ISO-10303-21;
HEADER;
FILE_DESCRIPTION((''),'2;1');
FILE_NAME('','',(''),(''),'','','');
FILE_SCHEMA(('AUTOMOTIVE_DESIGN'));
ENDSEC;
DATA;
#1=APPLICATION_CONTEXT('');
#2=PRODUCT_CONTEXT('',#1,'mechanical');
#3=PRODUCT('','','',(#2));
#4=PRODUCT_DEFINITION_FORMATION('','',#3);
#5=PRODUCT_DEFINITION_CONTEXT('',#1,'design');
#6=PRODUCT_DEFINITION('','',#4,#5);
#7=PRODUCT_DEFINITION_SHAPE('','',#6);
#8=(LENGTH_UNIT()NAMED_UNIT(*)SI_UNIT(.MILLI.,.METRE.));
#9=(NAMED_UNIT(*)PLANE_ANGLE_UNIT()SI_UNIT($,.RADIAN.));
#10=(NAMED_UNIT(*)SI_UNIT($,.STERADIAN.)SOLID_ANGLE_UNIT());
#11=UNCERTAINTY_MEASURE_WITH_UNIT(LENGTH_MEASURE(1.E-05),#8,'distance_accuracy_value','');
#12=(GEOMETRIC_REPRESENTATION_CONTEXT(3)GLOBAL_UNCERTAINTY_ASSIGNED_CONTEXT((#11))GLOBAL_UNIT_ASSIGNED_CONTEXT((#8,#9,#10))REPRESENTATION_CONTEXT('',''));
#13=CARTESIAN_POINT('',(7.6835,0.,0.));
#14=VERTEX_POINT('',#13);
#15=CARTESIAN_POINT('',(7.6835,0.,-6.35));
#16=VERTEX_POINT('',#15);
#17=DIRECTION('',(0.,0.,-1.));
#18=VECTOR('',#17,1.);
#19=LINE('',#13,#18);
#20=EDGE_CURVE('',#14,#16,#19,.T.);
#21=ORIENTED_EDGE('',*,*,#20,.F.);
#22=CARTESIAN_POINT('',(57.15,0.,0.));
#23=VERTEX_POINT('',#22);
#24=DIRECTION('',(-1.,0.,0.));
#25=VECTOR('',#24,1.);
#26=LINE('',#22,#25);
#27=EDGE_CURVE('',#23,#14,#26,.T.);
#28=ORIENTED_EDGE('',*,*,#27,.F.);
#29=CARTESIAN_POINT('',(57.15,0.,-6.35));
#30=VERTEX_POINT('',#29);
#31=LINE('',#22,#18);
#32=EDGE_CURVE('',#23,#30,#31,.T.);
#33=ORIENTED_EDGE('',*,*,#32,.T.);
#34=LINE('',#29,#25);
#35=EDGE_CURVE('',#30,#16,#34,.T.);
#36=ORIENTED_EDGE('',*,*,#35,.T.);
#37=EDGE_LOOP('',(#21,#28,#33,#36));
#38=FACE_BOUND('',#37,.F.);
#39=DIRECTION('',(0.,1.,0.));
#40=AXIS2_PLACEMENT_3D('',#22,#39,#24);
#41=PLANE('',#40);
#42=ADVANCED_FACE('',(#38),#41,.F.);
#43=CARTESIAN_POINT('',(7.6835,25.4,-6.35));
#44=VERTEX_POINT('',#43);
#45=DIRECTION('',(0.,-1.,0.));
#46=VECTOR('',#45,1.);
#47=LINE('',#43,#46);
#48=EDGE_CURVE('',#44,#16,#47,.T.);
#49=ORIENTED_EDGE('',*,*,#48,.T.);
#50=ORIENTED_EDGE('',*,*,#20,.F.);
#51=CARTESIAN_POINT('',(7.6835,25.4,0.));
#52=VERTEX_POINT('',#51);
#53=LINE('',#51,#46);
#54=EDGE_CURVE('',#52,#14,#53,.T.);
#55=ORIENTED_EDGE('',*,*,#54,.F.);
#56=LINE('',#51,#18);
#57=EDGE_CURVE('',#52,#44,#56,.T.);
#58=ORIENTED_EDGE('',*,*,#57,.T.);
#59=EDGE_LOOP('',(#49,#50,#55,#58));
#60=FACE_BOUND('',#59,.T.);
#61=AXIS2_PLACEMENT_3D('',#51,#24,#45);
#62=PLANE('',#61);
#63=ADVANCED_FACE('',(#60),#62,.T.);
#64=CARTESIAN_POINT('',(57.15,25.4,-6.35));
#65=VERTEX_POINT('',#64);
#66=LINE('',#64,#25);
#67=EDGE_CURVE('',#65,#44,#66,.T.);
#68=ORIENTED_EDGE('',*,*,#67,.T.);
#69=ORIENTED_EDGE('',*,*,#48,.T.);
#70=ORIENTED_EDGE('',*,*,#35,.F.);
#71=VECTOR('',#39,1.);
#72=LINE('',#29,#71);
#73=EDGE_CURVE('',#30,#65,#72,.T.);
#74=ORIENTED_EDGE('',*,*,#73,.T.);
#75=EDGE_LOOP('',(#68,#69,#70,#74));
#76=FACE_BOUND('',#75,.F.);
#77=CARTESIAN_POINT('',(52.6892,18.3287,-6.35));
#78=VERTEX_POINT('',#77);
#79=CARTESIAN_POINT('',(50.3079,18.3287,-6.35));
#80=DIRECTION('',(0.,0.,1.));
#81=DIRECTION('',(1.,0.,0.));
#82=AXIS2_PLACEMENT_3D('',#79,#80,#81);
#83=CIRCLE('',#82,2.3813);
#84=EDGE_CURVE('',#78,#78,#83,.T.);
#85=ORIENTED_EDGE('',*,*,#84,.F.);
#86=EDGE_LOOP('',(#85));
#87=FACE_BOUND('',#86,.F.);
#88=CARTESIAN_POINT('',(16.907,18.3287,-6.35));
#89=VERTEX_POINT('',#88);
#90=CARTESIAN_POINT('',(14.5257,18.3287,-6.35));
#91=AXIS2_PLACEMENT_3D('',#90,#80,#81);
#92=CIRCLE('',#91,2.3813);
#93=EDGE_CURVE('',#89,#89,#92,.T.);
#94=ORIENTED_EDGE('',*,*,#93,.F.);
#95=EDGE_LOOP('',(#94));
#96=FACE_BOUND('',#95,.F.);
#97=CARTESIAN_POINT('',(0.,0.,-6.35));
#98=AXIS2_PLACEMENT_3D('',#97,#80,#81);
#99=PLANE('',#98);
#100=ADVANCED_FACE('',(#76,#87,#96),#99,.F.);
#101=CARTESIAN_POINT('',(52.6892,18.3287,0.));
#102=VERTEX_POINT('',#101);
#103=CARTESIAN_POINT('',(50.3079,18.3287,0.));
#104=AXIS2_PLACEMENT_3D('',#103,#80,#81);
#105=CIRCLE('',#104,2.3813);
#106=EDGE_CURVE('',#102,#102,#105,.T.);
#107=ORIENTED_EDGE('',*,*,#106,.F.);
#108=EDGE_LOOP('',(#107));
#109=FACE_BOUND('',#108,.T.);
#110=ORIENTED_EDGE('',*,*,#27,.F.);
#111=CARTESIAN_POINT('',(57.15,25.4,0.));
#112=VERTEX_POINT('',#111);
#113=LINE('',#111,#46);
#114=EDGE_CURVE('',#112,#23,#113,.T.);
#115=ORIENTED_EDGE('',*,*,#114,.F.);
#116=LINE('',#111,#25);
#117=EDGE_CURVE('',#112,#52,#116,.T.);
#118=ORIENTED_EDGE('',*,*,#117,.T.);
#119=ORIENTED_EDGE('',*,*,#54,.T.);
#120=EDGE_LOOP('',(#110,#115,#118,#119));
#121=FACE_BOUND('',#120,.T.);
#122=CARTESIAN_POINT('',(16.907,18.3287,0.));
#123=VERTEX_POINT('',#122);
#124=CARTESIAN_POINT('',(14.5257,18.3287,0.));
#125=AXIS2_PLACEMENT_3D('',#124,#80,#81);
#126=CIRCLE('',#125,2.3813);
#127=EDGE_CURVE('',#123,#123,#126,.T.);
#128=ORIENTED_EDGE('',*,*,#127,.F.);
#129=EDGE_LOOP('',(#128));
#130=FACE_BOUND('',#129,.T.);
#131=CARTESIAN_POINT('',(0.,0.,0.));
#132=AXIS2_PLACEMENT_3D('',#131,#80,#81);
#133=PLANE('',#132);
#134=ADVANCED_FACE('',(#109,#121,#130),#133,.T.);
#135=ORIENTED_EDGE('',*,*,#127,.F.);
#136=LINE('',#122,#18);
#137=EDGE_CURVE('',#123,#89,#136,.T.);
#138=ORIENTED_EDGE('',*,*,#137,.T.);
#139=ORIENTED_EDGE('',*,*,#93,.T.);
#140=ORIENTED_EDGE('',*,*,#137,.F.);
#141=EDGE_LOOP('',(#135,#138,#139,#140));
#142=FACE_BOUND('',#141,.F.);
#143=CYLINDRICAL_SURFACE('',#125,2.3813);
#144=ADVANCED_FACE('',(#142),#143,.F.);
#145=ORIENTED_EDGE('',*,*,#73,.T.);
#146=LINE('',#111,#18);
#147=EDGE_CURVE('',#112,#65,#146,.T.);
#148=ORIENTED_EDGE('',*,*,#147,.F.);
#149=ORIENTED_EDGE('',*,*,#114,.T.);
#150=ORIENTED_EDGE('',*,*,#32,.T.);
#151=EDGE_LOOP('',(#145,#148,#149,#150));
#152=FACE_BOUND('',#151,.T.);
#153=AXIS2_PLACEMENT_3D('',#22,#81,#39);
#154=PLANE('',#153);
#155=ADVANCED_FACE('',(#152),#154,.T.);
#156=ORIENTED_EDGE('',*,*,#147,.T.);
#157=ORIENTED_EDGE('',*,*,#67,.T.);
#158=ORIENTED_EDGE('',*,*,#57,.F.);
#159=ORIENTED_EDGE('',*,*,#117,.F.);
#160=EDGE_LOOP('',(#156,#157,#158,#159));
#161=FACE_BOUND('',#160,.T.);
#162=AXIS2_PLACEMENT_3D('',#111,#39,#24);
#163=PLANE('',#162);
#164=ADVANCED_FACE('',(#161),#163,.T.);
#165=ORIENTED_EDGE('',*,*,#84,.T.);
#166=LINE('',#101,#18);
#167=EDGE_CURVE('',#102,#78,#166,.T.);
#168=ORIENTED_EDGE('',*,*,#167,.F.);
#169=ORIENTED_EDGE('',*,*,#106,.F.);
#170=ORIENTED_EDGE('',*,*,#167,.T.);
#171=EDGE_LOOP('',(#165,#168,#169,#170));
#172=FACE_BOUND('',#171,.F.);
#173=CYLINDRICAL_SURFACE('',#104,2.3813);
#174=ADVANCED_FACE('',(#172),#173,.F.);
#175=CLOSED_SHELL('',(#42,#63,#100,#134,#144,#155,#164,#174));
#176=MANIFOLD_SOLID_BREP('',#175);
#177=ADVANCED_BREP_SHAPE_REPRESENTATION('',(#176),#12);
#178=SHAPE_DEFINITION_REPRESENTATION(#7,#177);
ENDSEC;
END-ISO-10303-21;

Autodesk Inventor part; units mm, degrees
ref_plane "YZ Plane" through (0, 0, 0) normal (1, 0, 0) x (0, 1, 0)
ref_plane "XZ Plane" through (0, 0, 0) normal (0, 1, 0) x (-1, 0, 0)
ref_plane "XY Plane" through (0, 0, 0) normal (0, 0, 1) x (1, 0, 0)
ref_plane "Work Plane1" through (0, 0, 0) normal (0, 0, 1) x (1, 0, 0)
sketch "Sketch1" plane through (0, 0, 0) normal (0, 0, 1) x (1, 0, 0)
  line L0 (-17.7099, -6.35) -> (57.15, -6.35) projected
  line L1 (57.15, 0) -> (-17.7099, 0) projected
  line L2 (1.3284, -28.575) -> (1.3284, 22.225) projected
  line L3 (1.3284, -28.575) -> (7.6784, -28.575) projected
  line L4 (7.6784, 22.225) -> (7.6784, -28.575) projected
  line L5 (1.3284, 22.225) -> (7.6784, 22.225) projected
  line L6 (63.5, -28.575) -> (63.5, 22.225) projected
  line L7 (63.5, 22.225) -> (57.15, 22.225) projected
  line L8 (57.15, -28.575) -> (57.15, 22.225) projected
  line L9 (63.5, -28.575) -> (57.15, -28.575) projected
  line L10 (7.6835, 0) -> (57.15, 0)
  line L11 (57.15, 0) -> (57.15, 25.4)
  line L12 (57.15, 25.4) -> (7.6835, 25.4)
  line L13 (7.6835, 25.4) -> (7.6835, 0)
  circle A0 centre (14.5257, 3.9217) radius 2.3813
  line L14 (32.4168, 24.8107) -> (32.4168, 0) construction
  circle A1 centre (50.3079, 3.9217) radius 2.3813
  line L15 (7.6835, 11.1252) -> (57.15, 11.1252) construction
  circle A2 centre (14.5257, 18.3287) radius 2.3813
  circle A3 centre (50.3079, 18.3287) radius 2.3813
  line L16 (57.15, 0) -> (57.15, -6.35) projected
  line L17 (-17.7099, 0) -> (-17.7099, -6.35) projected
  line L18 (57.15, 0) -> (63.5, 0) projected
  point P0 (0, 0)
  dimension "d0" = 4.7625
  dimension "d3" = 25.4
  dimension "d4" = 11.1252
extrude "Extrusion1" add sketch "Sketch1" against normal blind 6.35 contours L1 L13 L12 L11 L8 | A0 | A1
properties part number "basePlate01"
